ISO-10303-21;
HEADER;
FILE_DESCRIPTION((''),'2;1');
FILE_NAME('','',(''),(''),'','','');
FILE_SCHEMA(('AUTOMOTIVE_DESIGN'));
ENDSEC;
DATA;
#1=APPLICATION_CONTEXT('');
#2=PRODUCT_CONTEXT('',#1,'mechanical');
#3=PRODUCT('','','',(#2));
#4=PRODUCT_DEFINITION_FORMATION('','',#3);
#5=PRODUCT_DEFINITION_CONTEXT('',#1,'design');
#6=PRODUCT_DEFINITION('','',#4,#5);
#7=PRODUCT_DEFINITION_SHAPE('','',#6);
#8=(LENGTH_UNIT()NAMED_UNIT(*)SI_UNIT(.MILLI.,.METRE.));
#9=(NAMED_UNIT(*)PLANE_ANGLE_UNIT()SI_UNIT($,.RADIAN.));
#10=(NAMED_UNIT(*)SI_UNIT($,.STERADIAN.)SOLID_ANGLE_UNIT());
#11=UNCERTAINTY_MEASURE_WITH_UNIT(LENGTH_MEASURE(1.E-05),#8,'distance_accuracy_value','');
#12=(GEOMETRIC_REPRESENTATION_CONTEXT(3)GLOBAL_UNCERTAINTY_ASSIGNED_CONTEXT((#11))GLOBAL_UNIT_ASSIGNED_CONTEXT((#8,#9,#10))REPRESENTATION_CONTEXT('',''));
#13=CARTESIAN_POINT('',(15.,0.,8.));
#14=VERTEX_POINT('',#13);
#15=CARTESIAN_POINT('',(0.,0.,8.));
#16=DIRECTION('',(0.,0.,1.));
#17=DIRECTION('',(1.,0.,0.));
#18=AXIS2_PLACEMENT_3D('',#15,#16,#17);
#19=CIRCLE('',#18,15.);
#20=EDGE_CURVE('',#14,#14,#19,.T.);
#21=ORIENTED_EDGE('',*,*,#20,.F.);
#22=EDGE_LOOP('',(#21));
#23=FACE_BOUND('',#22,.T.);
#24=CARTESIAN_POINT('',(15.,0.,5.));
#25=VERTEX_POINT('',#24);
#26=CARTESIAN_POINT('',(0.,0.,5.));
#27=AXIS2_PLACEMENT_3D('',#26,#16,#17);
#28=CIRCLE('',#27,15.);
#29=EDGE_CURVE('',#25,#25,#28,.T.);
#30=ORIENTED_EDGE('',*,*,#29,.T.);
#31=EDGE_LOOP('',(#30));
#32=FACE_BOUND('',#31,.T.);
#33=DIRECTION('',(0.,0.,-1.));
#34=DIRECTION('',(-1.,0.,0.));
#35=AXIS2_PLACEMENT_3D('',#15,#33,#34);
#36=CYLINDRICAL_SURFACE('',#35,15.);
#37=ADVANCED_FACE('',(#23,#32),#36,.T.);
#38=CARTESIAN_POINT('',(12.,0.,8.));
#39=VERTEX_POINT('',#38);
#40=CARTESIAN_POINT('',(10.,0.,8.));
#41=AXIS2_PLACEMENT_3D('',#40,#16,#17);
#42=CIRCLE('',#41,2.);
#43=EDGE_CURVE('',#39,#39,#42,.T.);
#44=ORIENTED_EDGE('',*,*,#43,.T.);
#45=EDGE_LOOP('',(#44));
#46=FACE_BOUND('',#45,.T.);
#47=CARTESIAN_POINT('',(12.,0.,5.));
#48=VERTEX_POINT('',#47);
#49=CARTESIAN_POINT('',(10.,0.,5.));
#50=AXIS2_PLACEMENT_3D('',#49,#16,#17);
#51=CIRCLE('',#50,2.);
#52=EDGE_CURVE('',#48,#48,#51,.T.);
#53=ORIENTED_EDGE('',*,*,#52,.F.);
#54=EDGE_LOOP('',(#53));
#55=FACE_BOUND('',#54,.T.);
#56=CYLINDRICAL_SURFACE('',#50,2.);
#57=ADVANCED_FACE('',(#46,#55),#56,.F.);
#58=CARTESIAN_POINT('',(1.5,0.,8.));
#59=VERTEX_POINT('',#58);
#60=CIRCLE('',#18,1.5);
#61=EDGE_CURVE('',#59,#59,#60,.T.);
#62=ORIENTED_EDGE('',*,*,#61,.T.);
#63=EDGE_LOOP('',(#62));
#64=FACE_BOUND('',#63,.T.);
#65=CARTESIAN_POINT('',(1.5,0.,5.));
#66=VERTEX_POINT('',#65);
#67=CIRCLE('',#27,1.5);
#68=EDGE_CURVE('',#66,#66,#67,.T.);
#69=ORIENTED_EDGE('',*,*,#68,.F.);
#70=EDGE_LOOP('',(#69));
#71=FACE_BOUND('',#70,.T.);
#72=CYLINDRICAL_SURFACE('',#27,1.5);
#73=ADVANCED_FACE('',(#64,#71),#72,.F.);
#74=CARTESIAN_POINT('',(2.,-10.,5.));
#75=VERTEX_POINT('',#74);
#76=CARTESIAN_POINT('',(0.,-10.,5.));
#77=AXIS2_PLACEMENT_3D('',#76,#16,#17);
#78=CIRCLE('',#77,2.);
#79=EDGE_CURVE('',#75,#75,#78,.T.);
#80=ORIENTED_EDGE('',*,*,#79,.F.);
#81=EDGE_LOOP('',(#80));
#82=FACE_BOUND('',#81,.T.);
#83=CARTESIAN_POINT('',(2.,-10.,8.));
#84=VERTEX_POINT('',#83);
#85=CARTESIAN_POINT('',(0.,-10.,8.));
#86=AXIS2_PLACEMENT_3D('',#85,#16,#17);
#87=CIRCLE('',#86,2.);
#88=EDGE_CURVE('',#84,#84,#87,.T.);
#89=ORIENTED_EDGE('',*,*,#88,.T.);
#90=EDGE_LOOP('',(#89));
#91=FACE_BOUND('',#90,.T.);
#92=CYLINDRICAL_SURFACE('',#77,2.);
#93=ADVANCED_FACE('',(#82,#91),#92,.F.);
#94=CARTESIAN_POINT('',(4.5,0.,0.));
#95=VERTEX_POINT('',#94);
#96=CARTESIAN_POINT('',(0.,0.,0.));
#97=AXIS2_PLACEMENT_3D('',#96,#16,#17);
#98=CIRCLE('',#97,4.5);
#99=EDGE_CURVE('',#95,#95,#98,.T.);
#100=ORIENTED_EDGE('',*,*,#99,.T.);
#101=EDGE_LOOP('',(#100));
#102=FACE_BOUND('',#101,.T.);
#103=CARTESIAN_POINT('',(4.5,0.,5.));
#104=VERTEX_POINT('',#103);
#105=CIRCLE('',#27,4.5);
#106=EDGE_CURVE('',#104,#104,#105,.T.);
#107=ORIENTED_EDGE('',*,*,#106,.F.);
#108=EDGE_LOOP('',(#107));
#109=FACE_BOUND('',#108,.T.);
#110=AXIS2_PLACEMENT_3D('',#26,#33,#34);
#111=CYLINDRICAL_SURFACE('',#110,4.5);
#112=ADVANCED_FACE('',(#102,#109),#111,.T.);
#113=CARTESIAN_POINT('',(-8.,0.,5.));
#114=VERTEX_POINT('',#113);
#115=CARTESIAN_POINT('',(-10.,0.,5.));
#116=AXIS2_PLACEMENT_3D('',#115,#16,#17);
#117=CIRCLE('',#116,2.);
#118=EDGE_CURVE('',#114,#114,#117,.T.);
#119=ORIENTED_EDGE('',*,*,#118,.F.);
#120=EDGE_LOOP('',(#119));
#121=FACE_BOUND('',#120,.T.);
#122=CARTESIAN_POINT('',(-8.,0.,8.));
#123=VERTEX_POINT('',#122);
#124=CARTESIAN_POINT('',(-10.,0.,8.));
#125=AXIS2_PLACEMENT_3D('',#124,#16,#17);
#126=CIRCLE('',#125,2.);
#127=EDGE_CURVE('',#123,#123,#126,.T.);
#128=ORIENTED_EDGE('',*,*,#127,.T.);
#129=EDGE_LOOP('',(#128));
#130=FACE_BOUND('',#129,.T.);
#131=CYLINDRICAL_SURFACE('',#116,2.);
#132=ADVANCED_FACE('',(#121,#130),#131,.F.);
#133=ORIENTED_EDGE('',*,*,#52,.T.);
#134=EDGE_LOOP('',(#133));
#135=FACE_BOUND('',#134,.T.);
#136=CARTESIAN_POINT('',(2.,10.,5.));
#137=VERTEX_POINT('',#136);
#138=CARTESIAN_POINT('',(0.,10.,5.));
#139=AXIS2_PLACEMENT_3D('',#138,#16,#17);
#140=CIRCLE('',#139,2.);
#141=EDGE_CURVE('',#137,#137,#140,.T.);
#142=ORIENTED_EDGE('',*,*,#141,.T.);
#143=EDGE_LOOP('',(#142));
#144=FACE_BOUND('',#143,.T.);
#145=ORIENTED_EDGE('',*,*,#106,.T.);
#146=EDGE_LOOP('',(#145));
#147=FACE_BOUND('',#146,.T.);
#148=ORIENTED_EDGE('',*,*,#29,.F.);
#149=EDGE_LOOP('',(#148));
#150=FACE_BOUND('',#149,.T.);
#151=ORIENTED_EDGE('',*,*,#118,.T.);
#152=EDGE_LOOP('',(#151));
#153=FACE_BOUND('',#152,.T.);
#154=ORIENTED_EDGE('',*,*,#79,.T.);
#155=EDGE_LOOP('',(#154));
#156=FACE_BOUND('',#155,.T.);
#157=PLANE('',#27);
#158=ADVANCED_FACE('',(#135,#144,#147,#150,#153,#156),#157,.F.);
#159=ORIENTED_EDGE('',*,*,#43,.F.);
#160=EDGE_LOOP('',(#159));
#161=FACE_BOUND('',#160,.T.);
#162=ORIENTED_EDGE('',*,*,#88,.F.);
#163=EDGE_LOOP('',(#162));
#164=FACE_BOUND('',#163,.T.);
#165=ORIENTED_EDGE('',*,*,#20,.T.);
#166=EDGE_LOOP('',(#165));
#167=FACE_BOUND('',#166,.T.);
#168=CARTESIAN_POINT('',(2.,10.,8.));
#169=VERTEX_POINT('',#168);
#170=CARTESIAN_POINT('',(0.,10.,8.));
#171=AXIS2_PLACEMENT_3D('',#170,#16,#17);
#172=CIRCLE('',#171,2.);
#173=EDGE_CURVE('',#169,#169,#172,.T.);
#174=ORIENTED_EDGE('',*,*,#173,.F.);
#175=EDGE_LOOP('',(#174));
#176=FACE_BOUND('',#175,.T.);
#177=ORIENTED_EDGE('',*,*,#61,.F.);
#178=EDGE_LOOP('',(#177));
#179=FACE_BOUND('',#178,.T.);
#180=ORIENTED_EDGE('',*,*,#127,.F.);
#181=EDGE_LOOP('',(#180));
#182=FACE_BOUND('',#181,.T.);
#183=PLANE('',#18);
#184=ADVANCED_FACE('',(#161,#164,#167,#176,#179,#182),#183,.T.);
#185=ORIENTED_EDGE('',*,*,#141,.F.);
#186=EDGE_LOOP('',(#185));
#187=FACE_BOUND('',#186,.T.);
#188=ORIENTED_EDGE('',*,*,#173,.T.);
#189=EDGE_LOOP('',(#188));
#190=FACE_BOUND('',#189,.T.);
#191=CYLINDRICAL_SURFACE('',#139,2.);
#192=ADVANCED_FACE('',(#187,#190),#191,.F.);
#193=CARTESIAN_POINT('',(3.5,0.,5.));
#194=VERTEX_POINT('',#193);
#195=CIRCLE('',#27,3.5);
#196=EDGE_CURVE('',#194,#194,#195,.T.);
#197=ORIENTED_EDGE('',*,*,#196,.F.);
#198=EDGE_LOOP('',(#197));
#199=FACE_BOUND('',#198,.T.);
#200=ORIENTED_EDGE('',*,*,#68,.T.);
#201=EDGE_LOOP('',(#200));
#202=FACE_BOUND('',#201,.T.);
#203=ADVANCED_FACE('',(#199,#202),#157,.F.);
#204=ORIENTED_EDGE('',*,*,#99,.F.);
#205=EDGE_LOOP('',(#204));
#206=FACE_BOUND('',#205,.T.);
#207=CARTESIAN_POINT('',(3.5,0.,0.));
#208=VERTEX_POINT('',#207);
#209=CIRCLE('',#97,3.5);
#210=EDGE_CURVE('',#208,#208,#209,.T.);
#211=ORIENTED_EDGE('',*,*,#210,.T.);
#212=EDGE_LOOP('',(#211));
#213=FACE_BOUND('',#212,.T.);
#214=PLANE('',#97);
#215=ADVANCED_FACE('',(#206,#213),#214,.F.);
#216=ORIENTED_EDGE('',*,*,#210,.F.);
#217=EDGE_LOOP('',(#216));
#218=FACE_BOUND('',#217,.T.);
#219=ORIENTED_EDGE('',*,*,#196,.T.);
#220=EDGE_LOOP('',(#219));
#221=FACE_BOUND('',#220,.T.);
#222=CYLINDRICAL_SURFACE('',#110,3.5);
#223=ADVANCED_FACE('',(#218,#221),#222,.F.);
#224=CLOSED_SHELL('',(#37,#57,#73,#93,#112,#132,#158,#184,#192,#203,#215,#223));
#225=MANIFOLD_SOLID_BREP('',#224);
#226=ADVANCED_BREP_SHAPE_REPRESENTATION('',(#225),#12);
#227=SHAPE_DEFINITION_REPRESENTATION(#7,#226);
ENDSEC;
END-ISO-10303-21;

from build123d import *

# Parameters (mm, degrees)
SKETCH_1_R          = 4.5
SKETCH_1_R_2        = 3.5
EXTRUDE_1_DEPTH     = 5
SKETCH_2_R          = 15
EXTRUDE_2_DEPTH     = 3
SKETCH_3_R          = 2
CUT_EXTRUDE_1_DEPTH = 3
SKETCH_4_R          = 1.5
CUT_EXTRUDE_2_DEPTH = 3


with BuildPart() as part:
    # 草图1 → 凸台-拉伸1 (new body)
    with BuildSketch(Plane.XY):
        Circle(SKETCH_1_R)
        Circle(SKETCH_1_R_2, mode=Mode.SUBTRACT)
    extrude(amount=EXTRUDE_1_DEPTH)

    # 草图2 → 凸台-拉伸2 (add)
    with BuildSketch(Plane.XY.offset(5)):
        Circle(SKETCH_2_R)
    extrude(amount=EXTRUDE_2_DEPTH)

    # 草图3 → 切除-拉伸1 (cut)
    with BuildSketch(Plane.XY.offset(8)):
        with Locations((-10, 0)):
            Circle(SKETCH_3_R)
        with Locations((10, 0)):
            Circle(SKETCH_3_R)
        with Locations((0, 10)):
            Circle(SKETCH_3_R)
        with Locations((0, -10)):
            Circle(SKETCH_3_R)
    extrude(amount=-CUT_EXTRUDE_1_DEPTH, mode=Mode.SUBTRACT)

    # 草图4 → 切除-拉伸2 (cut)
    with BuildSketch(Plane.XY.offset(8)):
        Circle(SKETCH_4_R)
    extrude(amount=-CUT_EXTRUDE_2_DEPTH, mode=Mode.SUBTRACT)


solid = part.part
